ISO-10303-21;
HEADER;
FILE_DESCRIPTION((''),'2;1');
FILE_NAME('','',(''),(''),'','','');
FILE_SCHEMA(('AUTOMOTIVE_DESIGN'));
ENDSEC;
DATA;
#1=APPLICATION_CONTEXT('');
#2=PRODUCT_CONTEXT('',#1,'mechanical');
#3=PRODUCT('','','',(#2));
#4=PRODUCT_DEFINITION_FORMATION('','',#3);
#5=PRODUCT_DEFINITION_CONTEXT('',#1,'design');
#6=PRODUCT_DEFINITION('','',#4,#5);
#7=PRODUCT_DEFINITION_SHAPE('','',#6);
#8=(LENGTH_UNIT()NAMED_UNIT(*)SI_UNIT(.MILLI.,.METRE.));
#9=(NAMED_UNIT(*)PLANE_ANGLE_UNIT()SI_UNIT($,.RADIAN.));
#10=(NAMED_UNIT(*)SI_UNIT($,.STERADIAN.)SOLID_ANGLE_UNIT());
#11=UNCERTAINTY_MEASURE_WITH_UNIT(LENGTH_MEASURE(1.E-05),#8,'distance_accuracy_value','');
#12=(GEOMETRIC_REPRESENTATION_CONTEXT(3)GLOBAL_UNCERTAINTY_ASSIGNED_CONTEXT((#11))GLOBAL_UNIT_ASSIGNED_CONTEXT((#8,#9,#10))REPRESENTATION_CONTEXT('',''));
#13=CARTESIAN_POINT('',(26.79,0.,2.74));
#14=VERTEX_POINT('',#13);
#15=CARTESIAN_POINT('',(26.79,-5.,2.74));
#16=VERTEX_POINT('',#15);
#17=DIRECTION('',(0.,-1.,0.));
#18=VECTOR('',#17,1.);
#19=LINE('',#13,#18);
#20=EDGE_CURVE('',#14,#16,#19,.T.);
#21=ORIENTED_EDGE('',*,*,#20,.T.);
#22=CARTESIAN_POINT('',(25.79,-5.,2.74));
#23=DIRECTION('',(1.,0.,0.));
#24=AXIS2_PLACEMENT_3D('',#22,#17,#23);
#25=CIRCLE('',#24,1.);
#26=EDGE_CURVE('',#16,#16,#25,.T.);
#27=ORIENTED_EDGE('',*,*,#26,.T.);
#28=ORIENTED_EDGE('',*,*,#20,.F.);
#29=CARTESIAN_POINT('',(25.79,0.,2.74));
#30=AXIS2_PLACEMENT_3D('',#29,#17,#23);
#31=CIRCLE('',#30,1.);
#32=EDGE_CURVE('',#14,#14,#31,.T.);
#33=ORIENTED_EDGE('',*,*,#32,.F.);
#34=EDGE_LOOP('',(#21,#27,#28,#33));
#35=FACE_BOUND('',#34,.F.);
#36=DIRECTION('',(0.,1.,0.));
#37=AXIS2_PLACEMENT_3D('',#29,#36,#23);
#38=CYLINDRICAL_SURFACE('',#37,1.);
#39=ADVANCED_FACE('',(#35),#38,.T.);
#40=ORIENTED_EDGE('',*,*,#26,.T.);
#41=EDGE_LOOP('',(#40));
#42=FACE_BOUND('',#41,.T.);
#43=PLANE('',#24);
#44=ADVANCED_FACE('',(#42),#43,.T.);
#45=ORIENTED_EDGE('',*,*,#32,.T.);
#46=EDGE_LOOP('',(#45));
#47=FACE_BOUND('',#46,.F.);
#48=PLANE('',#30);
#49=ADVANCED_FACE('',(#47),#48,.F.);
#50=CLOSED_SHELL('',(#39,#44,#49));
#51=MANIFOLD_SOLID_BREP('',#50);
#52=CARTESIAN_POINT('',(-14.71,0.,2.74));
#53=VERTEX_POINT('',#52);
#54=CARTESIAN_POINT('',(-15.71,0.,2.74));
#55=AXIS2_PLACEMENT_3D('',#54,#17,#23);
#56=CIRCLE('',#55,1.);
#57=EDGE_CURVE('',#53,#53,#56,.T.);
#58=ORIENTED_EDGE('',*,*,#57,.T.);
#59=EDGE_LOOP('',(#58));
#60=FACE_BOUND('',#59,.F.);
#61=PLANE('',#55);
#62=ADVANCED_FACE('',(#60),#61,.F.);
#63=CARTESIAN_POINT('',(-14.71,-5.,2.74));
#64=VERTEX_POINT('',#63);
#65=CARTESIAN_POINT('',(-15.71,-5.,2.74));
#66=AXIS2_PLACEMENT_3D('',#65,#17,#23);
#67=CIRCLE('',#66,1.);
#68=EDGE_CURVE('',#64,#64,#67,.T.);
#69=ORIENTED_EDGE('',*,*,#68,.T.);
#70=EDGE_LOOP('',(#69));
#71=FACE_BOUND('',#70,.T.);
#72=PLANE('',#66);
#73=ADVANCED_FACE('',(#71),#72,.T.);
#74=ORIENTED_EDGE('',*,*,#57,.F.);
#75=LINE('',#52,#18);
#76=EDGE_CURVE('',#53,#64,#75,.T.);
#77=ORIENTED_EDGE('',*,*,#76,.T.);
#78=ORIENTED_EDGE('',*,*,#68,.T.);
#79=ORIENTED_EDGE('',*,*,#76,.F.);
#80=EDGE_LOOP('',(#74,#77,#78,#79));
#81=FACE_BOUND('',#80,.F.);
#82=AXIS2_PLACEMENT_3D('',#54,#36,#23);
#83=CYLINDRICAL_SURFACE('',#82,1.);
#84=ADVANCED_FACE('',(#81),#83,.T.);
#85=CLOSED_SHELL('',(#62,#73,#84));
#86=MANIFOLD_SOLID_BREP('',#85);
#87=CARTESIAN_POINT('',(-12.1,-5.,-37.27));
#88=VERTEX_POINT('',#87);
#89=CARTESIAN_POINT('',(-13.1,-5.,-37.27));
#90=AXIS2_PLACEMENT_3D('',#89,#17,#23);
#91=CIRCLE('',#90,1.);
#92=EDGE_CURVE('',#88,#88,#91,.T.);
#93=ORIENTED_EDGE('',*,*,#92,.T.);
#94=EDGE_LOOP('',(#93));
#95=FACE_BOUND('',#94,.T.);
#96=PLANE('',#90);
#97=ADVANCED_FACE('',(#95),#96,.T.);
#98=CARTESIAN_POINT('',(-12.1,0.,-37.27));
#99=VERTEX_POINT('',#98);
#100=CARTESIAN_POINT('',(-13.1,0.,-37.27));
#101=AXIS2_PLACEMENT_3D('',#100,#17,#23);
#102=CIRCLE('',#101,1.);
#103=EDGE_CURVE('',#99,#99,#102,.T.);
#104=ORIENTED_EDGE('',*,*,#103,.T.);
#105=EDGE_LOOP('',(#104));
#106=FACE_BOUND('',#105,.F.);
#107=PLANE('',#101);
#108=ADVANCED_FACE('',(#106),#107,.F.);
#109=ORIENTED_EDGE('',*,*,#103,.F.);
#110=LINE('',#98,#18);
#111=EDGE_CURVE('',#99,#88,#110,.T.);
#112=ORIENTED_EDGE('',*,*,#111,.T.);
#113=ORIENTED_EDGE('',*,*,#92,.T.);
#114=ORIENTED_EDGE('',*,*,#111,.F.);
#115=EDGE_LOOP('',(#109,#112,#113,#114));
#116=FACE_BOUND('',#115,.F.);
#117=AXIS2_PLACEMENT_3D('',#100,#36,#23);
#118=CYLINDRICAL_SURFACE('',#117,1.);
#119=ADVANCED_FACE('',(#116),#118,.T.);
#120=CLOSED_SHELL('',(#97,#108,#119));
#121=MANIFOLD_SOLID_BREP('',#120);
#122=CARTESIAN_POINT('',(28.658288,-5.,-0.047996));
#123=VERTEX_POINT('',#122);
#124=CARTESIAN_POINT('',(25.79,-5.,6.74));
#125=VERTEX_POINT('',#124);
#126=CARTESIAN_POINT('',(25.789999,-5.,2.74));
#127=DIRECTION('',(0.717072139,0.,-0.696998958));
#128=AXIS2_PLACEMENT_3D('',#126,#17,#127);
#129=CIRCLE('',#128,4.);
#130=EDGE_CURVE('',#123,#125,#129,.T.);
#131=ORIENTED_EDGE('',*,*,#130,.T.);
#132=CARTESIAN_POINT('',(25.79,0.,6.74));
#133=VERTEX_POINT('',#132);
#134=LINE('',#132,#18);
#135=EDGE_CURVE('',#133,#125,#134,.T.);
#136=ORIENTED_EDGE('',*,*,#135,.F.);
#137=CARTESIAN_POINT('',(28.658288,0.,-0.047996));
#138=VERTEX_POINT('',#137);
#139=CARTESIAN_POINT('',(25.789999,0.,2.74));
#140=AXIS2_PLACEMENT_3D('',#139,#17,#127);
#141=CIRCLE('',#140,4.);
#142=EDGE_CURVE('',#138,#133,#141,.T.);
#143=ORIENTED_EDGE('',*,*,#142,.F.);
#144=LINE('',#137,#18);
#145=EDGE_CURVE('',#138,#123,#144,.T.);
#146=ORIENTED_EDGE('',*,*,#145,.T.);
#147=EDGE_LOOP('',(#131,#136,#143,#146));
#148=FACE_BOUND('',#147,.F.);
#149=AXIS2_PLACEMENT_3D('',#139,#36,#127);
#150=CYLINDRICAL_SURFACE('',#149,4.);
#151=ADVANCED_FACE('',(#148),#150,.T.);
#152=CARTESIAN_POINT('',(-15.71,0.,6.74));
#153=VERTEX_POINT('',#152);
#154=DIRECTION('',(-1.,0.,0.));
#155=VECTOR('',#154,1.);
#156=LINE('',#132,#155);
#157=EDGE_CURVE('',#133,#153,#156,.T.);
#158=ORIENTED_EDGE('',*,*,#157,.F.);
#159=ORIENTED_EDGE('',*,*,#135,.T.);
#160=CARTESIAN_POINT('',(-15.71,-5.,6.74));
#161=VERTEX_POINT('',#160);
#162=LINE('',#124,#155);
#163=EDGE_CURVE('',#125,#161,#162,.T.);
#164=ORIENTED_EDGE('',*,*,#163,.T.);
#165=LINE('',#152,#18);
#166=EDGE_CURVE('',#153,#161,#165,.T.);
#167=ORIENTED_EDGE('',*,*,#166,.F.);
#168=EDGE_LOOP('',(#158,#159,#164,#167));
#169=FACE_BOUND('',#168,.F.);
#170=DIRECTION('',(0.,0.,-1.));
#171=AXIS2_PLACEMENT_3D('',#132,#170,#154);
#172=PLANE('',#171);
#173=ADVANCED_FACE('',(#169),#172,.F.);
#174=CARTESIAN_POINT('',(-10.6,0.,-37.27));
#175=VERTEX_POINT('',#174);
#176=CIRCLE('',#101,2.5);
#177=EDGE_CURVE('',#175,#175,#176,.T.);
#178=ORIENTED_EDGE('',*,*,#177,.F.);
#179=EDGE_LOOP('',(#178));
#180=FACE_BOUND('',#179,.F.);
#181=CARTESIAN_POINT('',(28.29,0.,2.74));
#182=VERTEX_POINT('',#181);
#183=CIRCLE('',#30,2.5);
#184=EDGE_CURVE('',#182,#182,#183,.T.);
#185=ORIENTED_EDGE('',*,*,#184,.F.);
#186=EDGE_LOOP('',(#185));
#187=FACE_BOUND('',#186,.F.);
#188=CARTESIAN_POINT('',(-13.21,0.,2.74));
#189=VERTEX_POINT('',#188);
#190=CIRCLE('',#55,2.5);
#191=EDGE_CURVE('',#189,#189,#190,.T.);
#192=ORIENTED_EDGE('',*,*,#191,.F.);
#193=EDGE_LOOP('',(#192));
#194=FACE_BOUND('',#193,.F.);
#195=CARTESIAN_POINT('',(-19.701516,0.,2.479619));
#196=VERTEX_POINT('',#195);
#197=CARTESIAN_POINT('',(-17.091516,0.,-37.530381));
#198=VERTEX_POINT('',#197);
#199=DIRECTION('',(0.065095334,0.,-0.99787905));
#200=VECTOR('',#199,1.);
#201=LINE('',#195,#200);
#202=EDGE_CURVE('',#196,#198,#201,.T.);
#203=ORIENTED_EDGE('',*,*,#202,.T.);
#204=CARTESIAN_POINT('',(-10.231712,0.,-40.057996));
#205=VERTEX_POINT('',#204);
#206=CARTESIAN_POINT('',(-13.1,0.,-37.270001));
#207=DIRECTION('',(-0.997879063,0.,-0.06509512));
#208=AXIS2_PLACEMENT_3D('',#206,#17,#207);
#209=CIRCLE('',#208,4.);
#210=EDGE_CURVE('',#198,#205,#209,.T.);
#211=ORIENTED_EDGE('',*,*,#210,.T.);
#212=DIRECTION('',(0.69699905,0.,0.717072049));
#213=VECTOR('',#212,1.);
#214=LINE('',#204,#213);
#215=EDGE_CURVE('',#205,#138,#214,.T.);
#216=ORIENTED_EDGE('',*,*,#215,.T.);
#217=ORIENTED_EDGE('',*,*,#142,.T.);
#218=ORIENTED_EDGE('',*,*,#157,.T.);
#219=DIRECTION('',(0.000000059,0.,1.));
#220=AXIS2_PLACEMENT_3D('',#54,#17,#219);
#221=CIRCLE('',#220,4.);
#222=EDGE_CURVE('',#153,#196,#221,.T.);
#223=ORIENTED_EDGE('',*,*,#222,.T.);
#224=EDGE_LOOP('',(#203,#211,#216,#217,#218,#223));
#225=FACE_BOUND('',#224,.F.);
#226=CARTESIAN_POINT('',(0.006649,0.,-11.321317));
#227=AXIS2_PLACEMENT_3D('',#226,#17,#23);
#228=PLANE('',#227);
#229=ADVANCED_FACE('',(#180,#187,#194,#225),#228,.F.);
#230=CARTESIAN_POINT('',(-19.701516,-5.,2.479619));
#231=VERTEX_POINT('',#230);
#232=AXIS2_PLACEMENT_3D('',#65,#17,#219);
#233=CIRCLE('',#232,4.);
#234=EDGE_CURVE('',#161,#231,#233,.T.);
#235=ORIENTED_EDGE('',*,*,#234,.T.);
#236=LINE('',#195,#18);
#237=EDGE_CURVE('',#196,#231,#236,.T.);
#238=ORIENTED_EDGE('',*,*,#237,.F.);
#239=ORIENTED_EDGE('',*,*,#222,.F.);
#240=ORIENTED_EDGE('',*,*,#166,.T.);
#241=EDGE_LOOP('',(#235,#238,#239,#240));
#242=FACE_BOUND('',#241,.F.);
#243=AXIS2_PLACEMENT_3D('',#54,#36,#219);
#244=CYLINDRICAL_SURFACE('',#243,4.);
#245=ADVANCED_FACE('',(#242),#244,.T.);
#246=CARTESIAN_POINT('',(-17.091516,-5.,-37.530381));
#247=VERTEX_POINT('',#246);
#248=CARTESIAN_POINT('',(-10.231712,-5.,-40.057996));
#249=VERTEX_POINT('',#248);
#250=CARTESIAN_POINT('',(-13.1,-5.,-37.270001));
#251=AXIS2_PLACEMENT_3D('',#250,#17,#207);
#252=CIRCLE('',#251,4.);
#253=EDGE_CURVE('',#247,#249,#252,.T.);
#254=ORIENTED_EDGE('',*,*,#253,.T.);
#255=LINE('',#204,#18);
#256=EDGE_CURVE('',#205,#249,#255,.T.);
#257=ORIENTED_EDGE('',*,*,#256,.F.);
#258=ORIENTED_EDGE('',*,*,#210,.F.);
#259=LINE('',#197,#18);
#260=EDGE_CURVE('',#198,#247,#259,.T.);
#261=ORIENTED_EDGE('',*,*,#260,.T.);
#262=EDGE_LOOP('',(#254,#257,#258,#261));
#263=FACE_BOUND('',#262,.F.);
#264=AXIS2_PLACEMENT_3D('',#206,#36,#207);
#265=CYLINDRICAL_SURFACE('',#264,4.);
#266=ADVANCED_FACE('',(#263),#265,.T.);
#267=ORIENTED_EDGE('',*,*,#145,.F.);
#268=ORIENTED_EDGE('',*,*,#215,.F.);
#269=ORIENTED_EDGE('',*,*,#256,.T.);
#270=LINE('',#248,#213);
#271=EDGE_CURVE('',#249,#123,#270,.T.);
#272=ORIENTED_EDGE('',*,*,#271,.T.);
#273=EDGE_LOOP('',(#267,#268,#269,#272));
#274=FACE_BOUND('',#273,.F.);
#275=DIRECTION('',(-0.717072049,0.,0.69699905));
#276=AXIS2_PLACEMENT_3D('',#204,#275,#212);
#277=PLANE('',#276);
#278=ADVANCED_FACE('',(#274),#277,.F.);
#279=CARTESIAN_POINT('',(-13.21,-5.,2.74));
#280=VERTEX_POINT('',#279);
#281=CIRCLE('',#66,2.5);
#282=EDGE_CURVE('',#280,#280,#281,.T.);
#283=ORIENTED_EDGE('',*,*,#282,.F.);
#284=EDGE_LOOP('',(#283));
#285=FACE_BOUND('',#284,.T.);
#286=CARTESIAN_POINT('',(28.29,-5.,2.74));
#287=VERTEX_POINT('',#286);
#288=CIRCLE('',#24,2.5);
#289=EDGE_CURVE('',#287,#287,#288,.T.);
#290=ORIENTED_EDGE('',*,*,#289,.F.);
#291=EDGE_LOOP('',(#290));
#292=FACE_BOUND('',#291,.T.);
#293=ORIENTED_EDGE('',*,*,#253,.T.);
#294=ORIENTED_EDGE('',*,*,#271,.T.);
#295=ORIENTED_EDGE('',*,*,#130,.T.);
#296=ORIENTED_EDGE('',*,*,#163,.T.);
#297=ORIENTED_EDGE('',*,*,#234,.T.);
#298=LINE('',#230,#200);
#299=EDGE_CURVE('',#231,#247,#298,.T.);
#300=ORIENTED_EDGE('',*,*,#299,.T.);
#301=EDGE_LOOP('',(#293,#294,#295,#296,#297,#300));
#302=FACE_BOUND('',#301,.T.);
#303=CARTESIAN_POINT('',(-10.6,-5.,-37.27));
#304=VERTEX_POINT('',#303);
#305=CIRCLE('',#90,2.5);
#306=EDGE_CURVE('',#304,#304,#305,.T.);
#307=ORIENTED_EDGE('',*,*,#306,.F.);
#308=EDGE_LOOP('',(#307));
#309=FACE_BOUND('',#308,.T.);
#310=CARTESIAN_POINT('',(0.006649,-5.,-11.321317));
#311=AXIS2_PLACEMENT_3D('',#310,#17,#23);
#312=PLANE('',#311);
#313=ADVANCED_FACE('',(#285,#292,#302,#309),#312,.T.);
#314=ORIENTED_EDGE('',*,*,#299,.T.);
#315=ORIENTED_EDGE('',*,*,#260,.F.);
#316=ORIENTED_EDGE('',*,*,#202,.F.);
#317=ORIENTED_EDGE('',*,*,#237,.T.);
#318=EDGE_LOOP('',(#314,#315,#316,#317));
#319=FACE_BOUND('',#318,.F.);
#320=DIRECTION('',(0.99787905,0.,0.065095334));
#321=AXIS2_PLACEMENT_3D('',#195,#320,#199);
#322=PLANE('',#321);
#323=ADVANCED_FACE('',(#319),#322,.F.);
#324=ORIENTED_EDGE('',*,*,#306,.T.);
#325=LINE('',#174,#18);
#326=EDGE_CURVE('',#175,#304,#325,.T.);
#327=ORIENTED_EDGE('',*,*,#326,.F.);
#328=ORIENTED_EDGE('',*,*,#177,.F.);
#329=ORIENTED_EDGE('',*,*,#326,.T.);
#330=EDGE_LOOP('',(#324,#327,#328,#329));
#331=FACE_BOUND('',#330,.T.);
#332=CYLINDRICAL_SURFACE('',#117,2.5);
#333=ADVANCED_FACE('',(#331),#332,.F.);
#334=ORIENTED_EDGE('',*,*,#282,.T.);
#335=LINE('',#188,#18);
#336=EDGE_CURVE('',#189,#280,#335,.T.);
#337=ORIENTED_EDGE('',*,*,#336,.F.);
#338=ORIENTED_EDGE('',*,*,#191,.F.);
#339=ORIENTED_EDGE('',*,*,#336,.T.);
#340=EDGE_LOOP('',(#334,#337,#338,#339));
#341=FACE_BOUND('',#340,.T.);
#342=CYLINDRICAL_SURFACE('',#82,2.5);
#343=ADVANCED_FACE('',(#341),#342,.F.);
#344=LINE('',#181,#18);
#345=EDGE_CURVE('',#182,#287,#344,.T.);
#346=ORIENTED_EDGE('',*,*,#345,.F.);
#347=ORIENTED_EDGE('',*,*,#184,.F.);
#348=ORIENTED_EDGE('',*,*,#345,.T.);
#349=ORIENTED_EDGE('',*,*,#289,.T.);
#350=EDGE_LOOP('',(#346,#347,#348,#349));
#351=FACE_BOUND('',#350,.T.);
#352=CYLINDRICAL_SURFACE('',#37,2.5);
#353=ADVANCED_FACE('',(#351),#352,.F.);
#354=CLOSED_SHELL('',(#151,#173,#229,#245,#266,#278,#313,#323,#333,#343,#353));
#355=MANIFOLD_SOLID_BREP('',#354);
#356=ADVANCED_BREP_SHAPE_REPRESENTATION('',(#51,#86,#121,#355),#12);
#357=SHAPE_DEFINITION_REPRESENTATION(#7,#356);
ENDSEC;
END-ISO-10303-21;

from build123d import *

# Parameters (mm, degrees)
F0_R     = 2.5
F0_R_2   = 1
F1_DEPTH = 5


with BuildPart() as f1:
    # F0 (on Front) → F1 (new body)
    with BuildSketch(Plane.XZ):
        with BuildLine():
            ThreePointArc((-15.71, 6.74), (-18.629035, 5.474819), (-19.701516, 2.479619))
            Line((-19.701516, 2.479619), (-17.091516, -37.530381))
            ThreePointArc((-17.091516, -37.530381), (-14.482975, -41.023316), (-10.231712, -40.057996))
            Line((-10.231712, -40.057996), (28.658288, -0.047996))
            ThreePointArc((28.658288, -0.047996), (29.474561, 4.296922), (25.79, 6.74))
            Line((25.79, 6.74), (-15.71, 6.74))
        make_face()
        with Locations((-13.1, -37.27)):
            Circle(F0_R, mode=Mode.SUBTRACT)
        with Locations((-15.71, 2.74)):
            Circle(F0_R, mode=Mode.SUBTRACT)
        with Locations((25.79, 2.74)):
            Circle(F0_R, mode=Mode.SUBTRACT)
        with Locations((-15.71, 2.74)):
            Circle(F0_R_2)
        with Locations((25.79, 2.74)):
            Circle(F0_R_2)
        with Locations((-13.1, -37.27)):
            Circle(F0_R_2)
    extrude(amount=F1_DEPTH)


solid = f1.part
